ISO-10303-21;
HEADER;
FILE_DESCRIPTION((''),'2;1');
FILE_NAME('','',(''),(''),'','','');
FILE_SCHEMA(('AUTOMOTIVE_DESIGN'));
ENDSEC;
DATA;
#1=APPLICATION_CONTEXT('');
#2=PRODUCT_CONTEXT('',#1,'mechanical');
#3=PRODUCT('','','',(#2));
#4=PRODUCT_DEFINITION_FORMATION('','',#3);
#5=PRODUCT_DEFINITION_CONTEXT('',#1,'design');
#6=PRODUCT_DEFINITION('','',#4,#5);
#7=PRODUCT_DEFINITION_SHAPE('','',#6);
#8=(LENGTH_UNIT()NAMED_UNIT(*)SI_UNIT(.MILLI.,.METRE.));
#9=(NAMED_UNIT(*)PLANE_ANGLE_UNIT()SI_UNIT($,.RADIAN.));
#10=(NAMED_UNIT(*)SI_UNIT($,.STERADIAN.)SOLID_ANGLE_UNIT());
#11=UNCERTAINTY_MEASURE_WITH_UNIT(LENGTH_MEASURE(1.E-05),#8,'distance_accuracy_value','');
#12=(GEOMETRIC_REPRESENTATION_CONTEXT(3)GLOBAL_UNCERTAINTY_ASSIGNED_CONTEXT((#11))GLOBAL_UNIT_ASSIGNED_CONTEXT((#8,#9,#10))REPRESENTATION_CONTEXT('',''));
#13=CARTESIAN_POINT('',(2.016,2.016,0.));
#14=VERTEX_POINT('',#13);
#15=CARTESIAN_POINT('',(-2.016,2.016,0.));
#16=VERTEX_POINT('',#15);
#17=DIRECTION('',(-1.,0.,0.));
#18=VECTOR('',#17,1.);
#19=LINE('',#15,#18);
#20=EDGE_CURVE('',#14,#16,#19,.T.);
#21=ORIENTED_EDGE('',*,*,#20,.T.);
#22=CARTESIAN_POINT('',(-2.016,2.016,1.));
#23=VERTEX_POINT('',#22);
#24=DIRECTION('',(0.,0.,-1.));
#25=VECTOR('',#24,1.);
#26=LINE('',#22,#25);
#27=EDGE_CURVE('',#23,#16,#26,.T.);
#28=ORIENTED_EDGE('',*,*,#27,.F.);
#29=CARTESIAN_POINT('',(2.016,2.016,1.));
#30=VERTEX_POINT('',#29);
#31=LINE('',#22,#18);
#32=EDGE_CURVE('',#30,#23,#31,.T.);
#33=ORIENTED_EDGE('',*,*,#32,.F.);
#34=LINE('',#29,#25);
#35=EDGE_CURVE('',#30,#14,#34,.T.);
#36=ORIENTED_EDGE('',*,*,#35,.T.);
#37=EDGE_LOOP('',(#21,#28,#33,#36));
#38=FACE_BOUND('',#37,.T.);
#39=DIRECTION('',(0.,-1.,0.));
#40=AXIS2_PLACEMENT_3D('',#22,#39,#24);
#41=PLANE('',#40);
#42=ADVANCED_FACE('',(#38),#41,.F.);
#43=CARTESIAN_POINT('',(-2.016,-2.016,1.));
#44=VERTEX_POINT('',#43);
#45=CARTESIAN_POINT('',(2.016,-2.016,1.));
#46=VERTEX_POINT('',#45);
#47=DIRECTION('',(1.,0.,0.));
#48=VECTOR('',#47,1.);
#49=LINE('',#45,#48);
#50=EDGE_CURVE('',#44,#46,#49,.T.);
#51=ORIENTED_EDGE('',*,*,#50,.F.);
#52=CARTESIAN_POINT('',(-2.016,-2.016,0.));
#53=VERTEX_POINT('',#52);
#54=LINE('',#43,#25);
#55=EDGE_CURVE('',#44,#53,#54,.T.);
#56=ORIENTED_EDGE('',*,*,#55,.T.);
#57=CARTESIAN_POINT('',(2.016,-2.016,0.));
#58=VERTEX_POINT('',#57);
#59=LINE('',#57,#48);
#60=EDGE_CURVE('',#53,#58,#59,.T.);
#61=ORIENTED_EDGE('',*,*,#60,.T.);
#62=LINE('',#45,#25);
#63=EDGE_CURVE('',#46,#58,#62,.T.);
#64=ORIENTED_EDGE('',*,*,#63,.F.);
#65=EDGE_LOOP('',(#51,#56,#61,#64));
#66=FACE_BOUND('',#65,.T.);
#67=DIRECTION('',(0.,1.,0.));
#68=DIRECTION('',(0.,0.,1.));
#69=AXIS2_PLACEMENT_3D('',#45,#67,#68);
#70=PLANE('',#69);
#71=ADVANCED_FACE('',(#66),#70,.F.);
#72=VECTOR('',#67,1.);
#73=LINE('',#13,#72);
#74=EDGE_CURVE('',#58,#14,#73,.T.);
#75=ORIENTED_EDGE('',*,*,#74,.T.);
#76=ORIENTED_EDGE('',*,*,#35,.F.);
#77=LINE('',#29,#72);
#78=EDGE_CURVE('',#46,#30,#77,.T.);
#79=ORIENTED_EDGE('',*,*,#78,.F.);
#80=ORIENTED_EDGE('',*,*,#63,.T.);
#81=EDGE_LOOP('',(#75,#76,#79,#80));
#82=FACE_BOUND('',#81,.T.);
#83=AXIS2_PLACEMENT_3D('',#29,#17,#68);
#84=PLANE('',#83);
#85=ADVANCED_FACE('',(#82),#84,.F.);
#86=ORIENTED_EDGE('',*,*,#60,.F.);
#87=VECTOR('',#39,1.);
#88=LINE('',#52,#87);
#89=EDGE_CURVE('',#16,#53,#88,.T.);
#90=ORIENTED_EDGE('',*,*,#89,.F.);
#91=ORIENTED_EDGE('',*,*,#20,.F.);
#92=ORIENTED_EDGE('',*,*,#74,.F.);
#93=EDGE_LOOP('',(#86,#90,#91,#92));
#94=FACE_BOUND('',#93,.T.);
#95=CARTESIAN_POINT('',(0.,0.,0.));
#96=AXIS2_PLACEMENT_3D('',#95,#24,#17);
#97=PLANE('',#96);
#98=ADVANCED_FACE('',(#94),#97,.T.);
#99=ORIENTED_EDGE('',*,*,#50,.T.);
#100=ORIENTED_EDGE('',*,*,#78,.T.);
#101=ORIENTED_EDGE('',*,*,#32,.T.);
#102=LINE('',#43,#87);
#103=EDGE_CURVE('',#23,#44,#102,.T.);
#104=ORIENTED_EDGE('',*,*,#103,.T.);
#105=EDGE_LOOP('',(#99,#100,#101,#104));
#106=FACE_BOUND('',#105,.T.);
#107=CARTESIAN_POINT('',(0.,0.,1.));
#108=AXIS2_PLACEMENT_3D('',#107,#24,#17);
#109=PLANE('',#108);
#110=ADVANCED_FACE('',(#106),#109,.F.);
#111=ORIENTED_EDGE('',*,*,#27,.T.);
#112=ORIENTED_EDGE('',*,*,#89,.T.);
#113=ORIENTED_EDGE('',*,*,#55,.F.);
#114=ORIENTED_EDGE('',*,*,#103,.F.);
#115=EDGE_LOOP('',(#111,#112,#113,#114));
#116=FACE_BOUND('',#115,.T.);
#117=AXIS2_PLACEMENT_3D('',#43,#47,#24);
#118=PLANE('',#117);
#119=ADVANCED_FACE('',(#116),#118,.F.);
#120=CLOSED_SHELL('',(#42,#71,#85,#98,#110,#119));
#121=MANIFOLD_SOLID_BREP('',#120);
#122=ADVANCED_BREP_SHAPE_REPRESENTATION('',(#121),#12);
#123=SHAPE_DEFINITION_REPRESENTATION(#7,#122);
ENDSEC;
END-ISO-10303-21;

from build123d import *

# Parameters (mm, degrees)
SKETCH1_W               = 4.032
SKETCH1_H               = 4.032
COMPONENT_OUTLINE_DEPTH = 1


with BuildPart() as part:
    # Sketch1 → Component_Outline (new body)
    with BuildSketch(Plane.XY):
        Rectangle(SKETCH1_W, SKETCH1_H)
    extrude(amount=COMPONENT_OUTLINE_DEPTH)


solid = part.part
